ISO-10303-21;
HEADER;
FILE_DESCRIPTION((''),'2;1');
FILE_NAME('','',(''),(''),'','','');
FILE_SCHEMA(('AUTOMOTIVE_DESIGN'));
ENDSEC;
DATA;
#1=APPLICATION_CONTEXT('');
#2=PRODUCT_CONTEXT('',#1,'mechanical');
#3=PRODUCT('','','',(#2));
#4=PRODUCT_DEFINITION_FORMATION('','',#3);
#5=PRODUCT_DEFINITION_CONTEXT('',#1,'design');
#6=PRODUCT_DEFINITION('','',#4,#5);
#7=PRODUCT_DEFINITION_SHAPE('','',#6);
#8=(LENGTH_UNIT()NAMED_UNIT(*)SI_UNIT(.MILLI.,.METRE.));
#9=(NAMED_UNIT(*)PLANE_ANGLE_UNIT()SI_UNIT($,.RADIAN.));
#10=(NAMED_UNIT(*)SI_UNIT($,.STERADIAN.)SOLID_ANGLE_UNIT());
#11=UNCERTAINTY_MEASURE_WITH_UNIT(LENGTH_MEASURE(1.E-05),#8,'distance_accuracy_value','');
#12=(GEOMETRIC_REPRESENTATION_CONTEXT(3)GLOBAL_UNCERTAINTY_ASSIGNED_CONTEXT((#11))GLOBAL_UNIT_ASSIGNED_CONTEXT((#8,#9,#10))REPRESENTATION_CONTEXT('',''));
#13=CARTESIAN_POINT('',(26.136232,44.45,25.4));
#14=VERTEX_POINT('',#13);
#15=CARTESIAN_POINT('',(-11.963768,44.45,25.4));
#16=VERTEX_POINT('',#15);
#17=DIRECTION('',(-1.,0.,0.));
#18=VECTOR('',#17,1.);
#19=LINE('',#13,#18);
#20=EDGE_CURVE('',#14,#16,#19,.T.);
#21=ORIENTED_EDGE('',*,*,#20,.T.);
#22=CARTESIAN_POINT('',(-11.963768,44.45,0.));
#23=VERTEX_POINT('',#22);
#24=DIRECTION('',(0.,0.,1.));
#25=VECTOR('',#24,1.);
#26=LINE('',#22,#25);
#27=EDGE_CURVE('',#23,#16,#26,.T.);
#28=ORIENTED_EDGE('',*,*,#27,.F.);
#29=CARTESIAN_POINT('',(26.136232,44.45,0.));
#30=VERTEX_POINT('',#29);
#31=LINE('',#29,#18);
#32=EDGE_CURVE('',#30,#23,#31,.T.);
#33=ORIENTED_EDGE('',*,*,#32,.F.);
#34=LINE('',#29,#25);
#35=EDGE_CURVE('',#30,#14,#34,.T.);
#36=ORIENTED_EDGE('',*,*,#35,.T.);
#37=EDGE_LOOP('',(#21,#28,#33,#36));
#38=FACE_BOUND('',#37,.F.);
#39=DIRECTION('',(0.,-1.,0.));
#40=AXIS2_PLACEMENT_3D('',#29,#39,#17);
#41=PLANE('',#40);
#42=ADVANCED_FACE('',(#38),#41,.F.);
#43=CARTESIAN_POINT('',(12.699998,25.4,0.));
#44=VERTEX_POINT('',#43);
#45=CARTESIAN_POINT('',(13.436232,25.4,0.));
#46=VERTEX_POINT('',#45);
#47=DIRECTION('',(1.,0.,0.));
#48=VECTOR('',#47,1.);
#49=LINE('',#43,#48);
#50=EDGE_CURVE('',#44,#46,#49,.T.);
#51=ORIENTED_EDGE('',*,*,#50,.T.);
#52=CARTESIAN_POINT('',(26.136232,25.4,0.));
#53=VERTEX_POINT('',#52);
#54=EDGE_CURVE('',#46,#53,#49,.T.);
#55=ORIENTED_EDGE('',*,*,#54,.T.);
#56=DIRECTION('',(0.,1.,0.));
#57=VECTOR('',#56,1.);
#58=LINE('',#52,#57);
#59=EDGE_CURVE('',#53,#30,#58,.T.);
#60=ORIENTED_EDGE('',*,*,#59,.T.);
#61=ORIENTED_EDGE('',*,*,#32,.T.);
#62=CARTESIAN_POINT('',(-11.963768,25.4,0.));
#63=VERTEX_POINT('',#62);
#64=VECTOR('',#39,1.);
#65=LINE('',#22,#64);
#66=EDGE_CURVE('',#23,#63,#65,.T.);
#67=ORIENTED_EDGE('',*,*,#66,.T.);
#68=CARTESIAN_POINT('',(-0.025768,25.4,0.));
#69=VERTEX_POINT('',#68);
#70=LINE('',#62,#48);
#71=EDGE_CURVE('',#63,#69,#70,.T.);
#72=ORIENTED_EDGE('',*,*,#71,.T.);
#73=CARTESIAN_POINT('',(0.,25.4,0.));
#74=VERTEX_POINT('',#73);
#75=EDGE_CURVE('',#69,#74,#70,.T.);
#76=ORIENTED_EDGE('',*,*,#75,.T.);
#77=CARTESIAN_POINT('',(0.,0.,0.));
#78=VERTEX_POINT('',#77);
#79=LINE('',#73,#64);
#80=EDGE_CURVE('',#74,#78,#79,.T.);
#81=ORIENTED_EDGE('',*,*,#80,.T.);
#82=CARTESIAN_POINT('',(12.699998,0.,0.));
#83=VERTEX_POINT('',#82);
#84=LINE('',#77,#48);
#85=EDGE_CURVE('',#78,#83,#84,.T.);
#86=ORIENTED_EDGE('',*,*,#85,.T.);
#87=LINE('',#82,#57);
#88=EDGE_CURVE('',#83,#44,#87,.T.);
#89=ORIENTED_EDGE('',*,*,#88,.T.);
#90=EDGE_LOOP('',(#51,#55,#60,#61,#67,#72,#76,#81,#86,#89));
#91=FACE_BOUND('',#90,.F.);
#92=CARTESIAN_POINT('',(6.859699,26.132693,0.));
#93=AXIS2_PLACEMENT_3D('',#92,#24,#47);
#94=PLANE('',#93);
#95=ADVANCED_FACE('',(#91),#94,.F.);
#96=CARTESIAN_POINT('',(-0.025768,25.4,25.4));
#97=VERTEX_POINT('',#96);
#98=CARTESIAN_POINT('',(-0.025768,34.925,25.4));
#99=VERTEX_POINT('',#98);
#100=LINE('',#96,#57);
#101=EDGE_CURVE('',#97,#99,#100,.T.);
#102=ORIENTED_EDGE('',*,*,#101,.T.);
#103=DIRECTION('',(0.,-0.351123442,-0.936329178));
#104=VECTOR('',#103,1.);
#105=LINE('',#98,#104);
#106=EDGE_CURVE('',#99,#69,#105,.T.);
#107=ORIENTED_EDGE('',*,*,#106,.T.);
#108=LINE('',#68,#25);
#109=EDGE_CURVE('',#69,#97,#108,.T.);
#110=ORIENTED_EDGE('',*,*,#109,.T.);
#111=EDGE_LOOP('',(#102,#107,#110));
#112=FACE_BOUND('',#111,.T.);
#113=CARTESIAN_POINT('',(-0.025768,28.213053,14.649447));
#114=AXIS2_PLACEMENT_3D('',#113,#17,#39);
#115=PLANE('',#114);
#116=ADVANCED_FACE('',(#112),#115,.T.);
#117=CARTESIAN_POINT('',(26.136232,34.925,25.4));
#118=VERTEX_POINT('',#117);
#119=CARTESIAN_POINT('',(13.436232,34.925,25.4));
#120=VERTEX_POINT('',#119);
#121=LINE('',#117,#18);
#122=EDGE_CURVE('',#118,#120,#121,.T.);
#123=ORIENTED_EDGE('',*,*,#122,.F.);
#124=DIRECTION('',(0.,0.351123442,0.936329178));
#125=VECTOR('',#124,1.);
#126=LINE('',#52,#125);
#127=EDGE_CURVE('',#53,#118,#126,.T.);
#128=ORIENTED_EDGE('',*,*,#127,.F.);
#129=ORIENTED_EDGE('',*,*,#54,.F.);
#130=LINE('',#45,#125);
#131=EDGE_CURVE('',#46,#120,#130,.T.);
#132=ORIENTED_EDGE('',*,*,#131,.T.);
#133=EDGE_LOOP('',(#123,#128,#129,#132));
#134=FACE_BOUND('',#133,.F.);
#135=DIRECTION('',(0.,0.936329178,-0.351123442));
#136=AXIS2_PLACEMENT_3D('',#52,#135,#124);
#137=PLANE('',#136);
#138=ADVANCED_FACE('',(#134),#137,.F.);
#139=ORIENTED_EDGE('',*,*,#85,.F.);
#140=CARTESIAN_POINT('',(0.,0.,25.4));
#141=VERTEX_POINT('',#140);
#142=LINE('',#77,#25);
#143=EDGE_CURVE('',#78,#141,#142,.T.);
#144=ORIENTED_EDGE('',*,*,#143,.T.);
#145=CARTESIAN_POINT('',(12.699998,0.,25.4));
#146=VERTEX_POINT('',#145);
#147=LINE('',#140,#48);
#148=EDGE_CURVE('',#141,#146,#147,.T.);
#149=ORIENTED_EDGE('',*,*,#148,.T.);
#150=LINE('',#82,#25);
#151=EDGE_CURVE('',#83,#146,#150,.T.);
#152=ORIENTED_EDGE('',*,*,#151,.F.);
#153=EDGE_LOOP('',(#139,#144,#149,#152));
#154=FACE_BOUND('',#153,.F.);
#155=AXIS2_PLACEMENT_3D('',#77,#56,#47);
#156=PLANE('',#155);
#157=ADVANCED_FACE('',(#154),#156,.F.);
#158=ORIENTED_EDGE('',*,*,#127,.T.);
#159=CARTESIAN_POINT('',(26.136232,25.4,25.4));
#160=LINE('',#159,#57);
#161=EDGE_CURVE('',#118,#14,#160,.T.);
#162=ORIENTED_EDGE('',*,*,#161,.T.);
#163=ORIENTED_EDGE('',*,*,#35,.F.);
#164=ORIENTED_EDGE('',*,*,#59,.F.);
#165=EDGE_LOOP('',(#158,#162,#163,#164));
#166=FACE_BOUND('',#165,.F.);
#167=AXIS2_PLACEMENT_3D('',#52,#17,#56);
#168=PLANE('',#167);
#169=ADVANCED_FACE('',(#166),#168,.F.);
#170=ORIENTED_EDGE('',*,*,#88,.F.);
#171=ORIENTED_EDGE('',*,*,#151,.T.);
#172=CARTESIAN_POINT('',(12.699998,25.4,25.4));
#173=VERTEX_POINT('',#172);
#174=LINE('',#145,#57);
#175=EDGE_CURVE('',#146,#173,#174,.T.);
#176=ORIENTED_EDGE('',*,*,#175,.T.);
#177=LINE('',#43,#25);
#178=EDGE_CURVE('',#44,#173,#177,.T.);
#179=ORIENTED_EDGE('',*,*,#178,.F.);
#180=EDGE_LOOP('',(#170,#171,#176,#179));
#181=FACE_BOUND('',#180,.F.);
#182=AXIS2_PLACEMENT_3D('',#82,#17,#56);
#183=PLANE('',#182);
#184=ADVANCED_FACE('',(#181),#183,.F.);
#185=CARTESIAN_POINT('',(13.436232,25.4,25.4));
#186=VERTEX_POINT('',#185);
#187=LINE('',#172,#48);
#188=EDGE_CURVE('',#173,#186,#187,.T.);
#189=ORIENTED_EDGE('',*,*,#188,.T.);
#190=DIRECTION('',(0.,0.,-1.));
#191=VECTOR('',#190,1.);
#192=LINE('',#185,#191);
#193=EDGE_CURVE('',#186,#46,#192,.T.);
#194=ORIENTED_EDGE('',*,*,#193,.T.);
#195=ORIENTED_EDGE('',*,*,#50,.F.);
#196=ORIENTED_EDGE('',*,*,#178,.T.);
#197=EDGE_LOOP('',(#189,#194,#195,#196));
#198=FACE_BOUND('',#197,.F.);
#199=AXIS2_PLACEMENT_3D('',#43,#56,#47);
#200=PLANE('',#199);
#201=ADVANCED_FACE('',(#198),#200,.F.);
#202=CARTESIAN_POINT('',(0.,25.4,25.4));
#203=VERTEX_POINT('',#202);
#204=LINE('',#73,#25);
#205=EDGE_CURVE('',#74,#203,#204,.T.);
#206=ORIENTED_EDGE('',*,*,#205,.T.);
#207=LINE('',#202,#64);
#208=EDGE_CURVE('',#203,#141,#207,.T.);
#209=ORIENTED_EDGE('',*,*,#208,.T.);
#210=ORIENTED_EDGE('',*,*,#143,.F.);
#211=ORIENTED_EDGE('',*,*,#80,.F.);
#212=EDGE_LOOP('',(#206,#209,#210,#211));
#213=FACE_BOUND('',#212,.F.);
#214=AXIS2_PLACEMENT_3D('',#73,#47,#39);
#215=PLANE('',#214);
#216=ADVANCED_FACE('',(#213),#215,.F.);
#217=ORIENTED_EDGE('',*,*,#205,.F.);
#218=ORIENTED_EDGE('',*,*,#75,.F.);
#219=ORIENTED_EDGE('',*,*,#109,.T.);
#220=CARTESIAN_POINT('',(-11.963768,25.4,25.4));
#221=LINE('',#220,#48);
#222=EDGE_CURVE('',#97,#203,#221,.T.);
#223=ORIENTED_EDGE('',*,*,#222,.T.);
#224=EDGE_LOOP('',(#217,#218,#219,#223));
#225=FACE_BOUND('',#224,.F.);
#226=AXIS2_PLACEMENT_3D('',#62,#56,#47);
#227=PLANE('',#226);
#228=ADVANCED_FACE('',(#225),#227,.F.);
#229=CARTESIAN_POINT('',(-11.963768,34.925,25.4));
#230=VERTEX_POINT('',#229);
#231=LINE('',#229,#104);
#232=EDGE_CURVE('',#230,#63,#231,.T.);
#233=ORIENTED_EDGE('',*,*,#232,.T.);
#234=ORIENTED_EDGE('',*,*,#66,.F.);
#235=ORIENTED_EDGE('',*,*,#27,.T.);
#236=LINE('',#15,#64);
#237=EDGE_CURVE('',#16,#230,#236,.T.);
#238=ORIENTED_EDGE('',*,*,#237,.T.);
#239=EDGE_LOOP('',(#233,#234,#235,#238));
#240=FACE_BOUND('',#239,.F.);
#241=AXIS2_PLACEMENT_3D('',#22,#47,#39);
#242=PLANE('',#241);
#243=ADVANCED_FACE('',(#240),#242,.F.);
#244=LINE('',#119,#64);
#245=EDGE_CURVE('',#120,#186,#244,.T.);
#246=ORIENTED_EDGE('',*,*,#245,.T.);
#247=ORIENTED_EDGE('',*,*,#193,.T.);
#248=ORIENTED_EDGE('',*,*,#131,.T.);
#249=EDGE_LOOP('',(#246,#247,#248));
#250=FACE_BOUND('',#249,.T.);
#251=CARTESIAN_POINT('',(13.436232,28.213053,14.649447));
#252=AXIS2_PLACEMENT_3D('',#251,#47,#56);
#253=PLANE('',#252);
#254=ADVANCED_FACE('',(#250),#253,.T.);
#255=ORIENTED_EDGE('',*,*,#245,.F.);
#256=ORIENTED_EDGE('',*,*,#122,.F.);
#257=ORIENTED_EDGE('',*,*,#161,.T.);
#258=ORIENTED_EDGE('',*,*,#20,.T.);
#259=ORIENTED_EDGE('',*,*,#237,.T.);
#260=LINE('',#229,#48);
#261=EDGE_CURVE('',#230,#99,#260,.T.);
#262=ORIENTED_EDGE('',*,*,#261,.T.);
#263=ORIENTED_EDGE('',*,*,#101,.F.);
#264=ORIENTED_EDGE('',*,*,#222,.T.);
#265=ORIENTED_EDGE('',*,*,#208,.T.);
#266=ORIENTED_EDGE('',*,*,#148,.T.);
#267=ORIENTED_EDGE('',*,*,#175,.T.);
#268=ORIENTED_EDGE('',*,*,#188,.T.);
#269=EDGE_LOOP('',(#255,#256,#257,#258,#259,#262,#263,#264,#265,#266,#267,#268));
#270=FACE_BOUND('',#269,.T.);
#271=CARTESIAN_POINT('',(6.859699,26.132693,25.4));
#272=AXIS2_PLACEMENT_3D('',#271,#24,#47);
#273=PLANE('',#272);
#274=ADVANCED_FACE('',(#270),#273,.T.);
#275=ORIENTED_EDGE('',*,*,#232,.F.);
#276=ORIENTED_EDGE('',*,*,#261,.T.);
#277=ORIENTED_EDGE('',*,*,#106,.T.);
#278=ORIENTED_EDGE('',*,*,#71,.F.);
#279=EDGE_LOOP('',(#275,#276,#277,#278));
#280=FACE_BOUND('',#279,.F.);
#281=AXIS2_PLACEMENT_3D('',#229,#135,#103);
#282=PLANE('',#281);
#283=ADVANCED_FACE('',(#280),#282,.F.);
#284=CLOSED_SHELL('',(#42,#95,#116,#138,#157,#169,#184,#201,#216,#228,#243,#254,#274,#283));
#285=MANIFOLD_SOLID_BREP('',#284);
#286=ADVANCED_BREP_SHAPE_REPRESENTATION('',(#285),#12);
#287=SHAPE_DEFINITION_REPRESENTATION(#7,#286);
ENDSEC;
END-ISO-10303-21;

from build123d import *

# Parameters (mm, degrees)
F1_DEPTH = 25.4
F3_DEPTH = 11.938
F5_DEPTH = 12.7


with BuildPart() as f1:
    # F0 (on Top) → F1 (new body)
    with BuildSketch(Plane.XY):
        Polygon((0, 25.4), (0, 0), (12.699998, 0), (12.699998, 25.4), (26.136232, 25.4), (26.136232, 44.45), (-11.963768, 44.45), (-11.963768, 25.4), align=None)
    extrude(amount=F1_DEPTH)

    # F2 (on face) → F3 (cut)
    with BuildSketch(Plane(origin=(-11.963768, 0, 0), x_dir=(0, -1, 0), z_dir=(-1, 0, 0))):
        Polygon((-34.925, 25.4), (-25.4, 0), (-25.4, 25.4), align=None)
    extrude(amount=-F3_DEPTH, mode=Mode.SUBTRACT)

    # F4 (on face) → F5 (cut)
    with BuildSketch(Plane.YZ.offset(26.136232)):
        Polygon((25.4, 25.4), (25.4, 0), (34.925, 25.4), align=None)
    extrude(amount=-F5_DEPTH, mode=Mode.SUBTRACT)


solid = f1.part
